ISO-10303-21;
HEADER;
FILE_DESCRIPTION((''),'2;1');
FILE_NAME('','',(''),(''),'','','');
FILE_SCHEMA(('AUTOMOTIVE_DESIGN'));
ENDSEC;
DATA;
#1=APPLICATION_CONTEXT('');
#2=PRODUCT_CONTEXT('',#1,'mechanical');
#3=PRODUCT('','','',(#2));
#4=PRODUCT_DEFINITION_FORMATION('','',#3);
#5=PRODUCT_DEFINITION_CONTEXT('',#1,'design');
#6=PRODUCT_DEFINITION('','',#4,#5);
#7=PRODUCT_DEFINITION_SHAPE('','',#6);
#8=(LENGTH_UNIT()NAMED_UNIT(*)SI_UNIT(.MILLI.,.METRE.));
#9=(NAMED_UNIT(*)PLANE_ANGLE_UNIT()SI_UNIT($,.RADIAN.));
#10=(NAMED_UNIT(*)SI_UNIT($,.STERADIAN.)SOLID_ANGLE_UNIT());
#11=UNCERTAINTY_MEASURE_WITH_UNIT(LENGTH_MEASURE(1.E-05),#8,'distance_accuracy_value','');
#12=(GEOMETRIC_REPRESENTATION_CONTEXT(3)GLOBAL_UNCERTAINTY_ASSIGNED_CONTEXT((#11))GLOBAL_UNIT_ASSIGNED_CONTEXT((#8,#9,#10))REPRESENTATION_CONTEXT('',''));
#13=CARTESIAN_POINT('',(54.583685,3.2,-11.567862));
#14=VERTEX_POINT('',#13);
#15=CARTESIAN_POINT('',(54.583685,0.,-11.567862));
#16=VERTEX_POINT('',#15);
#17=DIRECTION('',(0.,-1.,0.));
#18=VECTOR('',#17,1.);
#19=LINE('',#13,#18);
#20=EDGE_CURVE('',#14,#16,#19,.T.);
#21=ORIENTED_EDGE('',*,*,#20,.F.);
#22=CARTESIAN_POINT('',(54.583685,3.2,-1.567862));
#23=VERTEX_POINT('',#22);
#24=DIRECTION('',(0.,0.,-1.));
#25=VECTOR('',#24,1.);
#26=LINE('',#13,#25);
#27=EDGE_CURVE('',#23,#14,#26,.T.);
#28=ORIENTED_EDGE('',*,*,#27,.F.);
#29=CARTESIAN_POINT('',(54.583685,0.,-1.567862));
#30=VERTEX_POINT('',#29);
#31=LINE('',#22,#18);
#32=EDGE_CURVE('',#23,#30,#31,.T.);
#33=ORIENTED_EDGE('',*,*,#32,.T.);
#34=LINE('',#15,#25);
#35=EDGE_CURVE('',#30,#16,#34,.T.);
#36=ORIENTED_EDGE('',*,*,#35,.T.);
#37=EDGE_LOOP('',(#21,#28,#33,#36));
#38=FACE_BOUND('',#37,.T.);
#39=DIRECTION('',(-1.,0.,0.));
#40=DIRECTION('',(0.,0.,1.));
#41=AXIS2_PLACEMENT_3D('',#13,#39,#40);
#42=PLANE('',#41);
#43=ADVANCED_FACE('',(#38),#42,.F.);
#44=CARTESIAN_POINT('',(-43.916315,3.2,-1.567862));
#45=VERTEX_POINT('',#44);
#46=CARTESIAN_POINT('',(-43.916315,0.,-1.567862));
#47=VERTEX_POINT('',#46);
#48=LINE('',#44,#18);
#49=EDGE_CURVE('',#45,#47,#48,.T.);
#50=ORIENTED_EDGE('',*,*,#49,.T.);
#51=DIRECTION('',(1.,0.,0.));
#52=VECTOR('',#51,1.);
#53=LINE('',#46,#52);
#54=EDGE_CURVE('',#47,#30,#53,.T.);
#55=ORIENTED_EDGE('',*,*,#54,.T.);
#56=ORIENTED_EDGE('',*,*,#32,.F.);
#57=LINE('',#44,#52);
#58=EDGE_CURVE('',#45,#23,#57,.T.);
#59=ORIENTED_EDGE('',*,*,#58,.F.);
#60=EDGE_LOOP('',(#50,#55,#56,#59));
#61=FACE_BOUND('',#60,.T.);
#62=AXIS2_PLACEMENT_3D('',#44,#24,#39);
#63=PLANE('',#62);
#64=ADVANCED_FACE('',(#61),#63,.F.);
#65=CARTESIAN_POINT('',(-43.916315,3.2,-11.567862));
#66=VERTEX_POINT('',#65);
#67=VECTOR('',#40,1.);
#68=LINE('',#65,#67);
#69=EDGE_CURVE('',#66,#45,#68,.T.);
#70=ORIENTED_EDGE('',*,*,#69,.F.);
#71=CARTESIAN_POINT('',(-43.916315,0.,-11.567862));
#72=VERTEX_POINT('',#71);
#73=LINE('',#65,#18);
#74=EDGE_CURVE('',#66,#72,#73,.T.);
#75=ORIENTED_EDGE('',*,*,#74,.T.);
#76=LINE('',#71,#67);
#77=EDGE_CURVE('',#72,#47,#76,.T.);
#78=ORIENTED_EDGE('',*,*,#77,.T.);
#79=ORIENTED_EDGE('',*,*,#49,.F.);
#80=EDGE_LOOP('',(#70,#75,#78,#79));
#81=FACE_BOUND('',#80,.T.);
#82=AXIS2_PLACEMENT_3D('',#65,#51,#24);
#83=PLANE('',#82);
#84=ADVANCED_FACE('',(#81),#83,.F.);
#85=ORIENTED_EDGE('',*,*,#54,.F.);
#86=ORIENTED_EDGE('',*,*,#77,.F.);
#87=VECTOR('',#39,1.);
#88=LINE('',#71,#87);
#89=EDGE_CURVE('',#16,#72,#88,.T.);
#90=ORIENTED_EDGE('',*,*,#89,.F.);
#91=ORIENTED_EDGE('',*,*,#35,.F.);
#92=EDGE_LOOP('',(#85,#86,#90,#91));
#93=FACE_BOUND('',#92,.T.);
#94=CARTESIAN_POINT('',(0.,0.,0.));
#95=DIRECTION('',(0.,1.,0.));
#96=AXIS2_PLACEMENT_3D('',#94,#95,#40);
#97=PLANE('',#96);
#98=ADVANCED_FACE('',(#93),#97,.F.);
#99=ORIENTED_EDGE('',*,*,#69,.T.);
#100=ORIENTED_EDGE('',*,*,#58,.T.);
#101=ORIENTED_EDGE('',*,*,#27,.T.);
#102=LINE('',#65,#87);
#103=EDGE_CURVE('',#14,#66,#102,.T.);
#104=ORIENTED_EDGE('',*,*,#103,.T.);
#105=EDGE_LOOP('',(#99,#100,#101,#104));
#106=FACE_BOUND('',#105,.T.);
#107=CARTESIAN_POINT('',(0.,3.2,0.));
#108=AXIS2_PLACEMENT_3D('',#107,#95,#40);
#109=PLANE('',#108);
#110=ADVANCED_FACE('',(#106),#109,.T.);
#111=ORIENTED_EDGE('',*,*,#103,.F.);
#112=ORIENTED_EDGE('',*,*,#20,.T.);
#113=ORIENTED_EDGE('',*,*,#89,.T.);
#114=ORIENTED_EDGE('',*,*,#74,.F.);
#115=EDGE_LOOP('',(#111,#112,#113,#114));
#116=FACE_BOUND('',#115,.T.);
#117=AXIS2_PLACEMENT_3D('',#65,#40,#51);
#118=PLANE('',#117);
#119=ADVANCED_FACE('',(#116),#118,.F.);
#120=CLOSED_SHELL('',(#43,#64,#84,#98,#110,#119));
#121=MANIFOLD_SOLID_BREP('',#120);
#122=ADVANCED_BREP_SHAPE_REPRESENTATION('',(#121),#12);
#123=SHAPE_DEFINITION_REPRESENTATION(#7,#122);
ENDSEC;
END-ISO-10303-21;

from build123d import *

# Parameters (mm, degrees)
SKETCH1_W           = 98.5
SKETCH1_H           = 10
BOSS_EXTRUDE1_DEPTH = 3.2


with BuildPart() as part:
    # Sketch1 → Boss-Extrude1 (new body)
    with BuildSketch(Plane(origin=(0, 0, 0), x_dir=(1, 0, 0), z_dir=(0, 1, 0))):
        with Locations((5.333684951, 6.567862166)):
            Rectangle(SKETCH1_W, SKETCH1_H)
    extrude(amount=BOSS_EXTRUDE1_DEPTH)


solid = part.part
